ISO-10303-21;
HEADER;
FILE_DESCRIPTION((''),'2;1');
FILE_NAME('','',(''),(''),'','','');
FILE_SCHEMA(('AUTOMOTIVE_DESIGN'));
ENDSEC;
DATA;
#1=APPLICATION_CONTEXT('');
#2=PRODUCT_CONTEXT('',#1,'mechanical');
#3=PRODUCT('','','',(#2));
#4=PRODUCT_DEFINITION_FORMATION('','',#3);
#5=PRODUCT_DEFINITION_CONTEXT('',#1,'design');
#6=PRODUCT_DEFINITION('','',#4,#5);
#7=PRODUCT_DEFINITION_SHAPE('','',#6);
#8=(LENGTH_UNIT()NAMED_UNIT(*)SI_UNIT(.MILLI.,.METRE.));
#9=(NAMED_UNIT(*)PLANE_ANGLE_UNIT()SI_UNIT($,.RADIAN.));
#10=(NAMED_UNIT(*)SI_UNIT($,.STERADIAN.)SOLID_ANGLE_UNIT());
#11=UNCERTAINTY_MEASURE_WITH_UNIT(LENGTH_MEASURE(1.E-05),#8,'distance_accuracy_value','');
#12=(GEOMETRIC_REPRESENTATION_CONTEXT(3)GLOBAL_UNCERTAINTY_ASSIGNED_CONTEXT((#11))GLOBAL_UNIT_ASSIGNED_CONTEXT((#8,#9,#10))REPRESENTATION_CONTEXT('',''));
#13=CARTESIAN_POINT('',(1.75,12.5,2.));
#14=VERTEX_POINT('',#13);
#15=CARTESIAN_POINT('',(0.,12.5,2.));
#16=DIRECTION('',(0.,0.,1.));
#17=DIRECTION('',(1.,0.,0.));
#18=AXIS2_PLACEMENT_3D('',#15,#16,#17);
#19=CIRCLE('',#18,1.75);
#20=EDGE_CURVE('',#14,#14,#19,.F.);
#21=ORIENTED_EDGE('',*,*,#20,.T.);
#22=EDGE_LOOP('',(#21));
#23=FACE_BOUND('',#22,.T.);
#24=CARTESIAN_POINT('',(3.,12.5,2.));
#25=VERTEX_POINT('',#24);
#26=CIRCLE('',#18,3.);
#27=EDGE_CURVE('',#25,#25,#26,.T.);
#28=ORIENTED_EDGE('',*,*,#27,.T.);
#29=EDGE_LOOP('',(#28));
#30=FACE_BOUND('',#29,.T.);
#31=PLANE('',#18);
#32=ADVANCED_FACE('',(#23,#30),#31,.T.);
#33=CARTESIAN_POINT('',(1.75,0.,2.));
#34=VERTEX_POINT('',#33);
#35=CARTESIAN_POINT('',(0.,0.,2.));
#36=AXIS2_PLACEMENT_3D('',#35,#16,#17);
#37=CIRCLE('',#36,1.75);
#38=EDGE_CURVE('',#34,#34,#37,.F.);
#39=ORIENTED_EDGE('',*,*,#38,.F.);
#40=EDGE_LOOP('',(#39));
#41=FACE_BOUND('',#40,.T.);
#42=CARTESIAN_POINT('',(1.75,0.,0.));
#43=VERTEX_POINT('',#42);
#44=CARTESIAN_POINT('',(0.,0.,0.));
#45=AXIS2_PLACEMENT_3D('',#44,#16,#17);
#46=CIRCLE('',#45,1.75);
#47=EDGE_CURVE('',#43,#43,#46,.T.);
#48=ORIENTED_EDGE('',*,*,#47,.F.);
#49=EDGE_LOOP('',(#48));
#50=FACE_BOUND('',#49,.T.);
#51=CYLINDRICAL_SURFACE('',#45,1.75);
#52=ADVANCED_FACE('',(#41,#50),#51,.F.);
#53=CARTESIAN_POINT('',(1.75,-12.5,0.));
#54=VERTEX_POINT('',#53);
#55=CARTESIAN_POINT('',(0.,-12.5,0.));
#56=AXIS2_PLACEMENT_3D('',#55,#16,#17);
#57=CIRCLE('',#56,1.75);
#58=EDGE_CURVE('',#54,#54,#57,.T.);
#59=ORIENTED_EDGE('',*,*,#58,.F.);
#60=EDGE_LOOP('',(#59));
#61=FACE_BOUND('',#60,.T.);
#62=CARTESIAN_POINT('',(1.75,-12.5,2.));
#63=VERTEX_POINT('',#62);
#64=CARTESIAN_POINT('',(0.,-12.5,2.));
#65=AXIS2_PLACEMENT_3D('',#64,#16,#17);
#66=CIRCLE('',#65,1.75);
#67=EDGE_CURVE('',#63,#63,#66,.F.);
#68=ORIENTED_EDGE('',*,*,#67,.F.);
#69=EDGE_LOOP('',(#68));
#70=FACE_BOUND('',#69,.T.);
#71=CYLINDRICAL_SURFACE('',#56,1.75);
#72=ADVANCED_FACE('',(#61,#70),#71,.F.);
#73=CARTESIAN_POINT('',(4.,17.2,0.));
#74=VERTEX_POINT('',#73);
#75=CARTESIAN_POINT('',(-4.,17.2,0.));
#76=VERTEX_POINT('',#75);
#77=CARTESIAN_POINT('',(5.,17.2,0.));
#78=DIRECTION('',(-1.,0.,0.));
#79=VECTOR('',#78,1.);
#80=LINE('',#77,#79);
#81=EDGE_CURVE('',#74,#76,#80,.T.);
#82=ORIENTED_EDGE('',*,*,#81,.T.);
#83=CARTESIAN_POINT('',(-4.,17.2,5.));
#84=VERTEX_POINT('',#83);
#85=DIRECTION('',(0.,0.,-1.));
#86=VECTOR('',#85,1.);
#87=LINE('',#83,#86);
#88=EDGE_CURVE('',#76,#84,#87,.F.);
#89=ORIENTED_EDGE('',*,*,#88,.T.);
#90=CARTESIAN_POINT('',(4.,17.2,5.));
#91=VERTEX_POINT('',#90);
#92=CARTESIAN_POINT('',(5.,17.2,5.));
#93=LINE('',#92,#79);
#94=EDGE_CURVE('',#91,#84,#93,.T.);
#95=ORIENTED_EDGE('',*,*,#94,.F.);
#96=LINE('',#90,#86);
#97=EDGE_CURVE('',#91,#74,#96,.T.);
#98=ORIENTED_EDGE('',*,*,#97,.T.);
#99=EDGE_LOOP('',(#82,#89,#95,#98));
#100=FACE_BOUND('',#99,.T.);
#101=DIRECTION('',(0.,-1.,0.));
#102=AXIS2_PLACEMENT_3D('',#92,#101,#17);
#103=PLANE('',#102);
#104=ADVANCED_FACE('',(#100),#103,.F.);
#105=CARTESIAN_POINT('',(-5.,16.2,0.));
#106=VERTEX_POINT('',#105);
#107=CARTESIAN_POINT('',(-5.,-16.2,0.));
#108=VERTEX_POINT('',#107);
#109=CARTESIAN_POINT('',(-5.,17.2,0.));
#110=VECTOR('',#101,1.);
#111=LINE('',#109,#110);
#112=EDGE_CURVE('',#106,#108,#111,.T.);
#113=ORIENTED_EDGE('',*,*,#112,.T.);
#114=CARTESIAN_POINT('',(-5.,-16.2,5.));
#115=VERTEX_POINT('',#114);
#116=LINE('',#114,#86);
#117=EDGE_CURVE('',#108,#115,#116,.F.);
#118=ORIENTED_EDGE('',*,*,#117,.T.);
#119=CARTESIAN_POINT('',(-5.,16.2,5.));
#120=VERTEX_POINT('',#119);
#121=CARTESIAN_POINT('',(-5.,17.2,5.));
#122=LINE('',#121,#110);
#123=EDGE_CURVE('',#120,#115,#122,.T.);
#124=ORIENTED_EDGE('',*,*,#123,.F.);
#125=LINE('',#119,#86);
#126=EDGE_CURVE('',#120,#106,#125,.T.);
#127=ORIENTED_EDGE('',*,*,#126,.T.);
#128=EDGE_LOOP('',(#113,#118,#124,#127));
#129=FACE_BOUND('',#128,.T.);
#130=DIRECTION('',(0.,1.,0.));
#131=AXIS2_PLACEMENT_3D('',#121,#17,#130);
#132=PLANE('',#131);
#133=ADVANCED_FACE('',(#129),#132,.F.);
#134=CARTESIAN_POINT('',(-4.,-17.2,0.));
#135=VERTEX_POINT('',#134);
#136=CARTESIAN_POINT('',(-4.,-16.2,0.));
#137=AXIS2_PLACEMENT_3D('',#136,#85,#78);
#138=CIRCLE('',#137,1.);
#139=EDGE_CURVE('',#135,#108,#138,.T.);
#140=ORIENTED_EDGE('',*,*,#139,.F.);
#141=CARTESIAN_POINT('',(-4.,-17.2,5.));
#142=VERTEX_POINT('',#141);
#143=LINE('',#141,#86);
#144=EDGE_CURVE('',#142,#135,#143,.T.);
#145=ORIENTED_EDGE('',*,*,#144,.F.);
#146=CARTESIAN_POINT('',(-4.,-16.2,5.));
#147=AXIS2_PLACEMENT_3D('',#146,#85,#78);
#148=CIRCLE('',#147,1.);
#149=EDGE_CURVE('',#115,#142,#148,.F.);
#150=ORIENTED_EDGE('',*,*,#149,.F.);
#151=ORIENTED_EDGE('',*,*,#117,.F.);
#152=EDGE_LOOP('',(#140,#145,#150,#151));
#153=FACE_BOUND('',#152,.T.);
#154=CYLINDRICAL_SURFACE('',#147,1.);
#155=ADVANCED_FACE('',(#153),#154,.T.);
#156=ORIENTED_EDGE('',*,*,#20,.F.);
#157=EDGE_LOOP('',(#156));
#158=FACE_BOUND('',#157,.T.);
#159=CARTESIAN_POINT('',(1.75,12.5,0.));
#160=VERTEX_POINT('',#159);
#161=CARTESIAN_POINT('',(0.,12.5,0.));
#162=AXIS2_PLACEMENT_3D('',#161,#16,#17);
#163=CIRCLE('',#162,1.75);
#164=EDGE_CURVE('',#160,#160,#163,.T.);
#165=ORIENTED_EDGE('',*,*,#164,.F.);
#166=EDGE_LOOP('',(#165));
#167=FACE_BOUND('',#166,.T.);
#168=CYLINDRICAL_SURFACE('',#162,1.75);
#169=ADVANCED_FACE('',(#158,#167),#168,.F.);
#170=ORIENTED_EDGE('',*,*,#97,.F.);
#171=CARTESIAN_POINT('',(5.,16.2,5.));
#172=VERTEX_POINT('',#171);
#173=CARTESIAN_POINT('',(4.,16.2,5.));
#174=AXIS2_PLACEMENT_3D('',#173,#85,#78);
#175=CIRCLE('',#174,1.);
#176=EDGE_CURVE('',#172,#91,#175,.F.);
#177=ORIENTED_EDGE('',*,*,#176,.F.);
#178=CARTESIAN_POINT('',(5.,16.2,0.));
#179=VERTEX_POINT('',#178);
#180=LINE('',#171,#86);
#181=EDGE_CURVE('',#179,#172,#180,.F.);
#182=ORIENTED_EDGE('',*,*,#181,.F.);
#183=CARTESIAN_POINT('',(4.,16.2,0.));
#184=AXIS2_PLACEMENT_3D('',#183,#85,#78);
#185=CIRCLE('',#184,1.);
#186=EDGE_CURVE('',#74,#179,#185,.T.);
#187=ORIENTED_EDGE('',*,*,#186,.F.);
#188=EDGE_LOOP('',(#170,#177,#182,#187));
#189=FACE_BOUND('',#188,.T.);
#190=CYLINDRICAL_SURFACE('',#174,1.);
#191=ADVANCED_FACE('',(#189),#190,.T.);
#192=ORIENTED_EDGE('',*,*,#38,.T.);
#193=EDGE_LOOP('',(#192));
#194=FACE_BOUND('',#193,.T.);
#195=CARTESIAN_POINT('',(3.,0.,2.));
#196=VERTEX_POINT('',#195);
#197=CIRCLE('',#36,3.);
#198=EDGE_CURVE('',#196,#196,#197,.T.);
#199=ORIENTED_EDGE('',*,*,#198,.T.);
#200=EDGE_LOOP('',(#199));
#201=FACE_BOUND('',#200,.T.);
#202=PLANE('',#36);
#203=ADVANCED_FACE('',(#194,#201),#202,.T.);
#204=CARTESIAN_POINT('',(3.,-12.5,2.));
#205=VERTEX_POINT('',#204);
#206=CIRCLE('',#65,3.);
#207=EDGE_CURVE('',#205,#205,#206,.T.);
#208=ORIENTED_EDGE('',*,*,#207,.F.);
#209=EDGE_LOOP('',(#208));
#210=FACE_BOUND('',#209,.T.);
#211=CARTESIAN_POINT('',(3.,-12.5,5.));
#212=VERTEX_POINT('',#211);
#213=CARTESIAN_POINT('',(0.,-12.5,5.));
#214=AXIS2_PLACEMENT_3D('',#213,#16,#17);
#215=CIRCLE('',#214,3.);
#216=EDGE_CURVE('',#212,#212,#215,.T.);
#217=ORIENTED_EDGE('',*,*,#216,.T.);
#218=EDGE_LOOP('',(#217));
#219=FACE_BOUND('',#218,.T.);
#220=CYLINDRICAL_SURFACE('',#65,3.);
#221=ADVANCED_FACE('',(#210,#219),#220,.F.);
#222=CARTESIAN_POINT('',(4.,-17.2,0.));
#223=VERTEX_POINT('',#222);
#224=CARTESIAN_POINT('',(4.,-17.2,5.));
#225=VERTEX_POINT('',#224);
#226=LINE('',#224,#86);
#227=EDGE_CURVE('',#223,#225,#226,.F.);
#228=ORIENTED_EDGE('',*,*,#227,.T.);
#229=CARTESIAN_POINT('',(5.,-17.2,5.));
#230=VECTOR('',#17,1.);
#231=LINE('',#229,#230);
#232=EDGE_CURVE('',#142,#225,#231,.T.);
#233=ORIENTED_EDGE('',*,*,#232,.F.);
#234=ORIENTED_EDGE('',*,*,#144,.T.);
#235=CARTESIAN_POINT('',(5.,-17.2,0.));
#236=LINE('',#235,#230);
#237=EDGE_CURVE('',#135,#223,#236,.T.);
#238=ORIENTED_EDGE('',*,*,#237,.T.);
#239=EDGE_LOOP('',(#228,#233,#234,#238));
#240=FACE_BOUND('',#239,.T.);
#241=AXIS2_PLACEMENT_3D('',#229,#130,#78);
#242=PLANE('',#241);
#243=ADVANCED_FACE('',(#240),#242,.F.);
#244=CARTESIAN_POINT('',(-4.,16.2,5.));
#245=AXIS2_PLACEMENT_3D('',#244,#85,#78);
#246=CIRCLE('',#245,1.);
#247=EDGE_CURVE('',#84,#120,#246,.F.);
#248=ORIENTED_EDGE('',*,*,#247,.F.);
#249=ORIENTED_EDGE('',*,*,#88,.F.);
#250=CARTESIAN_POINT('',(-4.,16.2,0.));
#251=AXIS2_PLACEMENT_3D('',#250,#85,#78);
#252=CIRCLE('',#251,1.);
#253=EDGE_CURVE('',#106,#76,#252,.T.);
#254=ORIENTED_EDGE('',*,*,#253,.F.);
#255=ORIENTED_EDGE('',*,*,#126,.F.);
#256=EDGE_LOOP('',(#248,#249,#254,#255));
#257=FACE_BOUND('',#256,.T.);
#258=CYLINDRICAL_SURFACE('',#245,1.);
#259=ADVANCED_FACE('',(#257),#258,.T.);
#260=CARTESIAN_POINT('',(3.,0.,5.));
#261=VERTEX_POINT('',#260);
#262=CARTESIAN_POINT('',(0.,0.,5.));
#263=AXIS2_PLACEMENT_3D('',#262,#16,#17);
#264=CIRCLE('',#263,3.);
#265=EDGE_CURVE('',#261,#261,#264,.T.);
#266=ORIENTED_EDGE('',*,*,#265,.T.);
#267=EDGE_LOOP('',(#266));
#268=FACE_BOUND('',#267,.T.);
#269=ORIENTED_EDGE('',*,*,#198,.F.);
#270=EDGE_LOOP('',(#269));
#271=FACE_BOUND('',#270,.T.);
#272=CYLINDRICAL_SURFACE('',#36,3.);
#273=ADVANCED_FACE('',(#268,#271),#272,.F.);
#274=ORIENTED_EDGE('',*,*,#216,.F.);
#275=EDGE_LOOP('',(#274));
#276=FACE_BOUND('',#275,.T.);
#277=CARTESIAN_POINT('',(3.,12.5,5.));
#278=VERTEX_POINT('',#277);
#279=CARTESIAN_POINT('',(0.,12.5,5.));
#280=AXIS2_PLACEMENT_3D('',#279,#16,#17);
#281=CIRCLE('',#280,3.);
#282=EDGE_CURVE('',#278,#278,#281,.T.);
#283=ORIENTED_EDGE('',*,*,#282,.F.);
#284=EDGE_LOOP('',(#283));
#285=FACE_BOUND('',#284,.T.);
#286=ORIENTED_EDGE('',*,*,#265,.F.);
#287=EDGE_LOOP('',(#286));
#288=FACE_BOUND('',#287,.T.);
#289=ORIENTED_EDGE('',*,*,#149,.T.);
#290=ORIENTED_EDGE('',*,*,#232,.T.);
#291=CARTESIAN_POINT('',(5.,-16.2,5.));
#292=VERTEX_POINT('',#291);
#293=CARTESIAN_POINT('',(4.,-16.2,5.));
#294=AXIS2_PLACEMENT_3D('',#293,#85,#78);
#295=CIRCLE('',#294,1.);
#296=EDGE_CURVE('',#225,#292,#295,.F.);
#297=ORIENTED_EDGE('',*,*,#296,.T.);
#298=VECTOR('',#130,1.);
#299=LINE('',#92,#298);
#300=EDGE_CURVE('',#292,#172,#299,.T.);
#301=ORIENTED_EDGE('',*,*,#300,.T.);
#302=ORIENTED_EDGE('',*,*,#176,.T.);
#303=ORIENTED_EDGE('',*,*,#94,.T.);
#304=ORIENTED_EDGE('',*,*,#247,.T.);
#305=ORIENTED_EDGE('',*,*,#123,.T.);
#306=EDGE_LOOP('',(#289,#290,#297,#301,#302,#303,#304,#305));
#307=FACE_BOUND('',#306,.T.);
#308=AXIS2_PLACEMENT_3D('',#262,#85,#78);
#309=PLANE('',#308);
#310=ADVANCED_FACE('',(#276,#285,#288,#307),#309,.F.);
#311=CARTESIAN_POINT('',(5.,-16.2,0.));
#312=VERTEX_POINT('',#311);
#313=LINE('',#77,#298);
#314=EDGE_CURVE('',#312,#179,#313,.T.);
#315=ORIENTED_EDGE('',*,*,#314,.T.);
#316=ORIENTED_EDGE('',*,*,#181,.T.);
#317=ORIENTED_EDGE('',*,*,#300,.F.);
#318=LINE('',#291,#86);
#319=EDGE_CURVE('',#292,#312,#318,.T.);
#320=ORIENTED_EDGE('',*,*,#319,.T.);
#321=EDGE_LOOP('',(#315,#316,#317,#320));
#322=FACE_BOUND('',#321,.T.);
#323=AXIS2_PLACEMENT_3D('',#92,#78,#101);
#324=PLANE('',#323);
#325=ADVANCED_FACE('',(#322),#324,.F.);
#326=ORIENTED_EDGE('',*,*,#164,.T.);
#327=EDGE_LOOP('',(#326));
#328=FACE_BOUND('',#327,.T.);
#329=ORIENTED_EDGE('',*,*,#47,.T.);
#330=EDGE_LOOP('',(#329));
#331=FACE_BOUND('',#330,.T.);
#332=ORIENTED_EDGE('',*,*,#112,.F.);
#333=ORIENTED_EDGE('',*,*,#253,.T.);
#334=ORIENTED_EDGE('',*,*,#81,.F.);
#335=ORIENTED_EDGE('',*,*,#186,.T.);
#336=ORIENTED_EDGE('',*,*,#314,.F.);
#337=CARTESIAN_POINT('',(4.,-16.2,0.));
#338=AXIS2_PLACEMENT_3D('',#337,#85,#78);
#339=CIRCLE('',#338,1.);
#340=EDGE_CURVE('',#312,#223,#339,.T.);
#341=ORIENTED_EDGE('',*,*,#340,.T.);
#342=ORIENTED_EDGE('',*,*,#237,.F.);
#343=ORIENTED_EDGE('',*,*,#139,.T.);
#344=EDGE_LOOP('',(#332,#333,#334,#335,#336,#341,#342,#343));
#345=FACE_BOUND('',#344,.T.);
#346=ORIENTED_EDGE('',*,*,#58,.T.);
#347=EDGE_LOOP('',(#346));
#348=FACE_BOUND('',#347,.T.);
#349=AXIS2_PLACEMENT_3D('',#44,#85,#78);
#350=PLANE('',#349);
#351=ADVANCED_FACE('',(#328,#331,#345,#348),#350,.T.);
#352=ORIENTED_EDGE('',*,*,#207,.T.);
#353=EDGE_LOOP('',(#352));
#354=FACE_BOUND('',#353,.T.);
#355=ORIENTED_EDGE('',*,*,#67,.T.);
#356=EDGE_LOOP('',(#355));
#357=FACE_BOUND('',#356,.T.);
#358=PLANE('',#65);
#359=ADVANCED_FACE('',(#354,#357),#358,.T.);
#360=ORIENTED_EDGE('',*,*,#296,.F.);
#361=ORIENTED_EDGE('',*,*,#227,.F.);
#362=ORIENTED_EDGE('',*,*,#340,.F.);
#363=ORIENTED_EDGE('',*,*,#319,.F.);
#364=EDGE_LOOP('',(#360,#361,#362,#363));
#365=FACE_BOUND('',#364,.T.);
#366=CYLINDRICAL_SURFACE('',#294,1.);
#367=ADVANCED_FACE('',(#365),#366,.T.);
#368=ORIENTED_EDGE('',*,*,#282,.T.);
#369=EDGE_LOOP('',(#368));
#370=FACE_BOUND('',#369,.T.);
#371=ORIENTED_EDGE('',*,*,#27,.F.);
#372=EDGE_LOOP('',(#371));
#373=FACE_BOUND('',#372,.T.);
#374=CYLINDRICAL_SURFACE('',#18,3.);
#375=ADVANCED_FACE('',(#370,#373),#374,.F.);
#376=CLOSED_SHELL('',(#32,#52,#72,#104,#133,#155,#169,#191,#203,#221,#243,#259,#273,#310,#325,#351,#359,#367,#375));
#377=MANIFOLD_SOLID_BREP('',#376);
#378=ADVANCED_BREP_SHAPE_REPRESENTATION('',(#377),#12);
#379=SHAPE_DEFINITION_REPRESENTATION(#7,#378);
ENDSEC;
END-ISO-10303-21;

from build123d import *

# Parameters (mm, degrees)
SKETCH1_W           = 10
SKETCH1_H           = 34.4
BOSS_EXTRUDE1_DEPTH = 5
FILLET1_R           = 1
SKETCH4_R           = 1.75
CUT_EXTRUDE1_DEPTH  = 5
SKETCH5_R           = 3
CUT_EXTRUDE2_DEPTH  = 3


with BuildPart() as part:
    # Sketch1 → Boss-Extrude1 (new body)
    with BuildSketch(Plane.XY):
        Rectangle(SKETCH1_W, SKETCH1_H)
    extrude(amount=BOSS_EXTRUDE1_DEPTH)

    # Fillet1
    fillet1_edges = [part.edges().sort_by_distance(p)[0] for p in [
        (-5, 17.2, 2.5),
        (5, 17.2, 2.5),
        (5, -17.2, 2.5),
        (-5, -17.2, 2.5),
    ]]
    fillet(fillet1_edges, radius=FILLET1_R)

    # Sketch4 → Cut-Extrude1 (cut)
    with BuildSketch(Plane.XY.offset(5)):
        Circle(SKETCH4_R)
        with Locations((0, 12.5)):
            Circle(SKETCH4_R)
        with Locations((0, -12.5)):
            Circle(SKETCH4_R)
    extrude(amount=-CUT_EXTRUDE1_DEPTH, mode=Mode.SUBTRACT)

    # Sketch5 → Cut-Extrude2 (cut)
    with BuildSketch(Plane.XY.offset(5)):
        with Locations((0, 12.5)):
            Circle(SKETCH5_R)
        Circle(SKETCH5_R)
        with Locations((0, -12.5)):
            Circle(SKETCH5_R)
    extrude(amount=-CUT_EXTRUDE2_DEPTH, mode=Mode.SUBTRACT)


solid = part.part
